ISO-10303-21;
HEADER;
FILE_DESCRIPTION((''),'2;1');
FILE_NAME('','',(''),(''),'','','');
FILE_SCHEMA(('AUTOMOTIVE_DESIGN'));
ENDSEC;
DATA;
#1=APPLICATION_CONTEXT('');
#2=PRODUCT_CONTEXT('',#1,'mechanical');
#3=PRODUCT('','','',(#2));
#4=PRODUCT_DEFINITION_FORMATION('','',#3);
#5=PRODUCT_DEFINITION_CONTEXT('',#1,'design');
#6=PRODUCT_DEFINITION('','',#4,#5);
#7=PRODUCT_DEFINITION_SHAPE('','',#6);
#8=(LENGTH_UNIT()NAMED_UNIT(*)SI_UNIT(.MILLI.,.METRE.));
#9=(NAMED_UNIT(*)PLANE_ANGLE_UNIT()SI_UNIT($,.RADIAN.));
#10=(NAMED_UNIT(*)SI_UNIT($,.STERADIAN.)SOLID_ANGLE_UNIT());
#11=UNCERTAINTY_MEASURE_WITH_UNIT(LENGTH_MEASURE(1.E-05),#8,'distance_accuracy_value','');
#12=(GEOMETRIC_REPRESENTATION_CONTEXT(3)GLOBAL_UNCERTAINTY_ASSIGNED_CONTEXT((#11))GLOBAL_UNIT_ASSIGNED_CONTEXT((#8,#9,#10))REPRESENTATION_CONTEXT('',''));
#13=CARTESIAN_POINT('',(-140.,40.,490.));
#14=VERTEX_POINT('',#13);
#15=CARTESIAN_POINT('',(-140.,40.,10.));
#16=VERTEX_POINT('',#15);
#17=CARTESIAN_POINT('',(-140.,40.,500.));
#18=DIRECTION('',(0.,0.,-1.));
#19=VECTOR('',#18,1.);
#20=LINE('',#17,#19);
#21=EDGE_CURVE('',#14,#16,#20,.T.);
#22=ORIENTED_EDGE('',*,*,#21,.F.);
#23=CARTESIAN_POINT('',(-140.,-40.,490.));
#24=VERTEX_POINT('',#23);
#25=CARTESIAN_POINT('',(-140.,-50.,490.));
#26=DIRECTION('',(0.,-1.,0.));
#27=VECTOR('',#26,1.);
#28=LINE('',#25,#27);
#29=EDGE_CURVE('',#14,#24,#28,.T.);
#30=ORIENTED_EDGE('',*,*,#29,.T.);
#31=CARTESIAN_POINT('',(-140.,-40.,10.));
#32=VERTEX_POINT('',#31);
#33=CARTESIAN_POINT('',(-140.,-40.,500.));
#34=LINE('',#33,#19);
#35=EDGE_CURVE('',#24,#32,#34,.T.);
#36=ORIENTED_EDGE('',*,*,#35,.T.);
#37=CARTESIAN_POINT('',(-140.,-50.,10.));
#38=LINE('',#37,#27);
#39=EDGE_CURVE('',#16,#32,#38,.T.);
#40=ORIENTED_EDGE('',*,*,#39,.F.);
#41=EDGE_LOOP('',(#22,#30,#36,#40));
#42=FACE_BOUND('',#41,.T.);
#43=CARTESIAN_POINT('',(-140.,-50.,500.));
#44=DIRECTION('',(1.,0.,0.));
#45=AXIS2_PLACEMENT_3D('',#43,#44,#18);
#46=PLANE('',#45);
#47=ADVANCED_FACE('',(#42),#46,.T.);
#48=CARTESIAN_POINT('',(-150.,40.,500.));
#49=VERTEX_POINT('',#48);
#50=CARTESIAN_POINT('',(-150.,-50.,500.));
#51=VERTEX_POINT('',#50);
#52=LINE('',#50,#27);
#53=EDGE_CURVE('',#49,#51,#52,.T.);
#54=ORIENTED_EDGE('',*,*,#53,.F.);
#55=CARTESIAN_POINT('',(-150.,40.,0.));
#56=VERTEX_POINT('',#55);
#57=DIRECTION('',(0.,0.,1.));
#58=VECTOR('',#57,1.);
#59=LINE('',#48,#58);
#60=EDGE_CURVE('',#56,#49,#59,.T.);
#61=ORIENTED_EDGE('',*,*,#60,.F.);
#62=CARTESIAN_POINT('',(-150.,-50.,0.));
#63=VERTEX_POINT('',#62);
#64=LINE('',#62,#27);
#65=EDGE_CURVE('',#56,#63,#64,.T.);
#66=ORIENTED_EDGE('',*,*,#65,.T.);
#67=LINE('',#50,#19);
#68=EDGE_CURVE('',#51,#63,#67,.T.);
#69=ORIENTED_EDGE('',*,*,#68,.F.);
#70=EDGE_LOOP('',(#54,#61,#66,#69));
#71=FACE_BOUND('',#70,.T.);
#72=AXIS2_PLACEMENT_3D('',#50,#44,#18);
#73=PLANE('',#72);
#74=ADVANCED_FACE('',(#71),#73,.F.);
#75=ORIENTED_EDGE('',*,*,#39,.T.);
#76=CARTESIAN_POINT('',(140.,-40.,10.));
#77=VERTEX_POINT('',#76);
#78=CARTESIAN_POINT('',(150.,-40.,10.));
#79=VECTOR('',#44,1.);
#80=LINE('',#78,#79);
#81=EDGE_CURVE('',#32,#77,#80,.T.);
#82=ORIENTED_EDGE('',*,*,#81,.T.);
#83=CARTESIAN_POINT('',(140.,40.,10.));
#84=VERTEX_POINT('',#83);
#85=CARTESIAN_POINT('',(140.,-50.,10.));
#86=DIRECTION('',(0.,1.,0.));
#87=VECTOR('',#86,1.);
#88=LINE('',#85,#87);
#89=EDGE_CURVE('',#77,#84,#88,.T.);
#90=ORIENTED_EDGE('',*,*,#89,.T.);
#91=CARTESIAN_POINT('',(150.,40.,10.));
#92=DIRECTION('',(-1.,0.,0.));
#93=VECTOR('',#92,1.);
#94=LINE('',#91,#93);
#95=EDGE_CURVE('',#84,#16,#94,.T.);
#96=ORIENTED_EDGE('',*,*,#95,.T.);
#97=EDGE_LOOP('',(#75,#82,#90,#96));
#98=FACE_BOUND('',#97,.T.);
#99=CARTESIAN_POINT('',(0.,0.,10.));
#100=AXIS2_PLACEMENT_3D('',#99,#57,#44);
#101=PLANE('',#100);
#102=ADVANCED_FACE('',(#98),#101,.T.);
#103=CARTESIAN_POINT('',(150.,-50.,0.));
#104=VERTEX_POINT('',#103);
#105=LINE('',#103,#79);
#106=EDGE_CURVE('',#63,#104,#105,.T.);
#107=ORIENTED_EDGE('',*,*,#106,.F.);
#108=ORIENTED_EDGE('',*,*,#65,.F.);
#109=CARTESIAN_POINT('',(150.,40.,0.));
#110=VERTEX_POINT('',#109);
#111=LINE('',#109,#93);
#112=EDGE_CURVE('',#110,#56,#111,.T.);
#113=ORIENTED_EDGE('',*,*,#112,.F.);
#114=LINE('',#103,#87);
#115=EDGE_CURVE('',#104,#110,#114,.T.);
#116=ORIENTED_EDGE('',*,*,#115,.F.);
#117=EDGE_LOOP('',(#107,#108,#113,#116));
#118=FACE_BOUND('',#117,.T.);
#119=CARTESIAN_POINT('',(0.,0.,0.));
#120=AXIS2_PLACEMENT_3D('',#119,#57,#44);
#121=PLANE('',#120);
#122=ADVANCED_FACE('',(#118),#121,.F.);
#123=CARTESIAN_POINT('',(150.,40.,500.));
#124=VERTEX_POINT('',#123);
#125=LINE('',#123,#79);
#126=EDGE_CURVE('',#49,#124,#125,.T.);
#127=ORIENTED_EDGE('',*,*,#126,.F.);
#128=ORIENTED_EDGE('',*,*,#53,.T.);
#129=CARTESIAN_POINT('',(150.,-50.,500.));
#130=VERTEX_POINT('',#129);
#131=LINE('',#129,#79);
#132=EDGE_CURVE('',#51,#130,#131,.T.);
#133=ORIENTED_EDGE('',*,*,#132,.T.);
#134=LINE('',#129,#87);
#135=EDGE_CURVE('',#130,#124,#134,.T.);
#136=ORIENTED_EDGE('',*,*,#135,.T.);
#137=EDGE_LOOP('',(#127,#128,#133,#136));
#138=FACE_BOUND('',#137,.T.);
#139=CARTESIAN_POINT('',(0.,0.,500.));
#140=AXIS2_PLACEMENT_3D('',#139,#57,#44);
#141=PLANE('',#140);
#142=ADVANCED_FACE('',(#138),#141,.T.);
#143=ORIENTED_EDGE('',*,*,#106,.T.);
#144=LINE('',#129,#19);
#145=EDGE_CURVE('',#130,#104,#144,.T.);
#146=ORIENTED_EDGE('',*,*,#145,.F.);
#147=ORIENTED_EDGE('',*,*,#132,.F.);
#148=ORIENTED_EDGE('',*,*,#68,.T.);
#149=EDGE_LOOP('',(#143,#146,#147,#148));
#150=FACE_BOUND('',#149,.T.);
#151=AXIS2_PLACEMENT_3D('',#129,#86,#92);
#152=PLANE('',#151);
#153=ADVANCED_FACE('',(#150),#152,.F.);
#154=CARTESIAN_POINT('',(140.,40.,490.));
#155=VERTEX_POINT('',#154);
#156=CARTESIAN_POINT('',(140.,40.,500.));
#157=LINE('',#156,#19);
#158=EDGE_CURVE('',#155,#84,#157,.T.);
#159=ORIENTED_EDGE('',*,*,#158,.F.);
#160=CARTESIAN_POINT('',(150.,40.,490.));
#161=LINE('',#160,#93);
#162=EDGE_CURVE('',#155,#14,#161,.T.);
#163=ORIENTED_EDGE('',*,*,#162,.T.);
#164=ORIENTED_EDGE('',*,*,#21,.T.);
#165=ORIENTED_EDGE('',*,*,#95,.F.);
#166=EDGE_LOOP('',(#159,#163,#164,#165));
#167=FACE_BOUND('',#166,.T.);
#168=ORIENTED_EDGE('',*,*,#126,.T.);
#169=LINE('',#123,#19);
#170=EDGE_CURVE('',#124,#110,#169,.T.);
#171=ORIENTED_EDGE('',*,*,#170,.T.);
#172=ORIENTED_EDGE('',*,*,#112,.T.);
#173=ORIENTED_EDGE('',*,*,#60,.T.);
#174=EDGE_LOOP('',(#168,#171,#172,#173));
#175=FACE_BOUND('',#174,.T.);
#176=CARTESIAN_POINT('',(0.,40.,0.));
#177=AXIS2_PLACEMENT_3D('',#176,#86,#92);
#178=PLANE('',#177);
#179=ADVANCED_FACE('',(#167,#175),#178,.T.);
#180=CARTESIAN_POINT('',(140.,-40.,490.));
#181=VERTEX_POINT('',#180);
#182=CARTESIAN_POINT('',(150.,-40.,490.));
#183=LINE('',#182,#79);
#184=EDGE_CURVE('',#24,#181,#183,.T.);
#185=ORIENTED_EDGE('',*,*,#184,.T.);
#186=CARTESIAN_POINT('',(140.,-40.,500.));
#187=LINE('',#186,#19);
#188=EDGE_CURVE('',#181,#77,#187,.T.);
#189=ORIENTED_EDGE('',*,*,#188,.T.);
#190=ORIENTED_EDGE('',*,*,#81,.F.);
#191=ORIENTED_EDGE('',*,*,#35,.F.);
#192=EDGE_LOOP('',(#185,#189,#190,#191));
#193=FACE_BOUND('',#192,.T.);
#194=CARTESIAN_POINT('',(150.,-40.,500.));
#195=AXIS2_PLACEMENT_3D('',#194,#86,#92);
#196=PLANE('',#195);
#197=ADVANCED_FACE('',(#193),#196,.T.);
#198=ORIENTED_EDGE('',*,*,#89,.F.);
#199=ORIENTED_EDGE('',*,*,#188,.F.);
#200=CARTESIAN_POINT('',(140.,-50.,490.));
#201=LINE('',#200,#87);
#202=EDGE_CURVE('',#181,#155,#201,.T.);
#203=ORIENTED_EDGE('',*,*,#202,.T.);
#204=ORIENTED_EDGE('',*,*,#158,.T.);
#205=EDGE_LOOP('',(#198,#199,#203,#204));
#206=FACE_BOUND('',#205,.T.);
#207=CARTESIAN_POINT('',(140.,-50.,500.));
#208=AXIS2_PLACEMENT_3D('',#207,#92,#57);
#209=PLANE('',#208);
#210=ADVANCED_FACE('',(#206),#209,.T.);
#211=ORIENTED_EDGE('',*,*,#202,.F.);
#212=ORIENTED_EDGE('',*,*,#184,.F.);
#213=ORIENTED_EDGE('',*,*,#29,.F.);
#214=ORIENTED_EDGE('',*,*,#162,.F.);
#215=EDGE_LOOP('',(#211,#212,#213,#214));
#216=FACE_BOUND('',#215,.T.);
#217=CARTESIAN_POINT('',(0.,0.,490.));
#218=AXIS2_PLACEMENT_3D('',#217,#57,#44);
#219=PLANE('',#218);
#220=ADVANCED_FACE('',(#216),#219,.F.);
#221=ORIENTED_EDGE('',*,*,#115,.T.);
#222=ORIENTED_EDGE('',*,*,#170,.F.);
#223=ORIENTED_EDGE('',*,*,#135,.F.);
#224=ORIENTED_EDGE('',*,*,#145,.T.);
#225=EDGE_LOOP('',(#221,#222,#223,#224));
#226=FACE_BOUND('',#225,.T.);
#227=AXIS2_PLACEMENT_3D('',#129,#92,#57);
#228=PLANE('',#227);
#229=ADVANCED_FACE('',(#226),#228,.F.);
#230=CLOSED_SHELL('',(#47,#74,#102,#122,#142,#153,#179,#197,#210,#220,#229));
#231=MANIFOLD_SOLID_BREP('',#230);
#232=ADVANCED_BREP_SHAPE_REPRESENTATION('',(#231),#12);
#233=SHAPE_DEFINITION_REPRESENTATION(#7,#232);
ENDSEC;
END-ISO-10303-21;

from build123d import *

# Parameters (mm, degrees)
SKETCH1_W           = 300
SKETCH1_H           = 100
BOSS_EXTRUDE1_DEPTH = 500
SHELL2_T            = 10
SKETCH2_W           = 300
SKETCH2_H           = 500
CUT_EXTRUDE1_DEPTH  = 10


with BuildPart() as part:
    # Sketch1 → Boss-Extrude1 (new body)
    with BuildSketch(Plane.XY):
        Rectangle(SKETCH1_W, SKETCH1_H)
    extrude(amount=BOSS_EXTRUDE1_DEPTH)

    # Shell2 (no face opened: a closed hollow body)
    add(offset(amount=-SHELL2_T, mode=Mode.PRIVATE), mode=Mode.SUBTRACT)

    # Sketch2 → Cut-Extrude1 (cut)
    with BuildSketch(Plane(origin=(0, 50, 0), x_dir=(1, 0, 0), z_dir=(0, 1, 0))):
        with Locations((0, -250)):
            Rectangle(SKETCH2_W, SKETCH2_H)
    extrude(amount=-CUT_EXTRUDE1_DEPTH, mode=Mode.SUBTRACT)


solid = part.part
